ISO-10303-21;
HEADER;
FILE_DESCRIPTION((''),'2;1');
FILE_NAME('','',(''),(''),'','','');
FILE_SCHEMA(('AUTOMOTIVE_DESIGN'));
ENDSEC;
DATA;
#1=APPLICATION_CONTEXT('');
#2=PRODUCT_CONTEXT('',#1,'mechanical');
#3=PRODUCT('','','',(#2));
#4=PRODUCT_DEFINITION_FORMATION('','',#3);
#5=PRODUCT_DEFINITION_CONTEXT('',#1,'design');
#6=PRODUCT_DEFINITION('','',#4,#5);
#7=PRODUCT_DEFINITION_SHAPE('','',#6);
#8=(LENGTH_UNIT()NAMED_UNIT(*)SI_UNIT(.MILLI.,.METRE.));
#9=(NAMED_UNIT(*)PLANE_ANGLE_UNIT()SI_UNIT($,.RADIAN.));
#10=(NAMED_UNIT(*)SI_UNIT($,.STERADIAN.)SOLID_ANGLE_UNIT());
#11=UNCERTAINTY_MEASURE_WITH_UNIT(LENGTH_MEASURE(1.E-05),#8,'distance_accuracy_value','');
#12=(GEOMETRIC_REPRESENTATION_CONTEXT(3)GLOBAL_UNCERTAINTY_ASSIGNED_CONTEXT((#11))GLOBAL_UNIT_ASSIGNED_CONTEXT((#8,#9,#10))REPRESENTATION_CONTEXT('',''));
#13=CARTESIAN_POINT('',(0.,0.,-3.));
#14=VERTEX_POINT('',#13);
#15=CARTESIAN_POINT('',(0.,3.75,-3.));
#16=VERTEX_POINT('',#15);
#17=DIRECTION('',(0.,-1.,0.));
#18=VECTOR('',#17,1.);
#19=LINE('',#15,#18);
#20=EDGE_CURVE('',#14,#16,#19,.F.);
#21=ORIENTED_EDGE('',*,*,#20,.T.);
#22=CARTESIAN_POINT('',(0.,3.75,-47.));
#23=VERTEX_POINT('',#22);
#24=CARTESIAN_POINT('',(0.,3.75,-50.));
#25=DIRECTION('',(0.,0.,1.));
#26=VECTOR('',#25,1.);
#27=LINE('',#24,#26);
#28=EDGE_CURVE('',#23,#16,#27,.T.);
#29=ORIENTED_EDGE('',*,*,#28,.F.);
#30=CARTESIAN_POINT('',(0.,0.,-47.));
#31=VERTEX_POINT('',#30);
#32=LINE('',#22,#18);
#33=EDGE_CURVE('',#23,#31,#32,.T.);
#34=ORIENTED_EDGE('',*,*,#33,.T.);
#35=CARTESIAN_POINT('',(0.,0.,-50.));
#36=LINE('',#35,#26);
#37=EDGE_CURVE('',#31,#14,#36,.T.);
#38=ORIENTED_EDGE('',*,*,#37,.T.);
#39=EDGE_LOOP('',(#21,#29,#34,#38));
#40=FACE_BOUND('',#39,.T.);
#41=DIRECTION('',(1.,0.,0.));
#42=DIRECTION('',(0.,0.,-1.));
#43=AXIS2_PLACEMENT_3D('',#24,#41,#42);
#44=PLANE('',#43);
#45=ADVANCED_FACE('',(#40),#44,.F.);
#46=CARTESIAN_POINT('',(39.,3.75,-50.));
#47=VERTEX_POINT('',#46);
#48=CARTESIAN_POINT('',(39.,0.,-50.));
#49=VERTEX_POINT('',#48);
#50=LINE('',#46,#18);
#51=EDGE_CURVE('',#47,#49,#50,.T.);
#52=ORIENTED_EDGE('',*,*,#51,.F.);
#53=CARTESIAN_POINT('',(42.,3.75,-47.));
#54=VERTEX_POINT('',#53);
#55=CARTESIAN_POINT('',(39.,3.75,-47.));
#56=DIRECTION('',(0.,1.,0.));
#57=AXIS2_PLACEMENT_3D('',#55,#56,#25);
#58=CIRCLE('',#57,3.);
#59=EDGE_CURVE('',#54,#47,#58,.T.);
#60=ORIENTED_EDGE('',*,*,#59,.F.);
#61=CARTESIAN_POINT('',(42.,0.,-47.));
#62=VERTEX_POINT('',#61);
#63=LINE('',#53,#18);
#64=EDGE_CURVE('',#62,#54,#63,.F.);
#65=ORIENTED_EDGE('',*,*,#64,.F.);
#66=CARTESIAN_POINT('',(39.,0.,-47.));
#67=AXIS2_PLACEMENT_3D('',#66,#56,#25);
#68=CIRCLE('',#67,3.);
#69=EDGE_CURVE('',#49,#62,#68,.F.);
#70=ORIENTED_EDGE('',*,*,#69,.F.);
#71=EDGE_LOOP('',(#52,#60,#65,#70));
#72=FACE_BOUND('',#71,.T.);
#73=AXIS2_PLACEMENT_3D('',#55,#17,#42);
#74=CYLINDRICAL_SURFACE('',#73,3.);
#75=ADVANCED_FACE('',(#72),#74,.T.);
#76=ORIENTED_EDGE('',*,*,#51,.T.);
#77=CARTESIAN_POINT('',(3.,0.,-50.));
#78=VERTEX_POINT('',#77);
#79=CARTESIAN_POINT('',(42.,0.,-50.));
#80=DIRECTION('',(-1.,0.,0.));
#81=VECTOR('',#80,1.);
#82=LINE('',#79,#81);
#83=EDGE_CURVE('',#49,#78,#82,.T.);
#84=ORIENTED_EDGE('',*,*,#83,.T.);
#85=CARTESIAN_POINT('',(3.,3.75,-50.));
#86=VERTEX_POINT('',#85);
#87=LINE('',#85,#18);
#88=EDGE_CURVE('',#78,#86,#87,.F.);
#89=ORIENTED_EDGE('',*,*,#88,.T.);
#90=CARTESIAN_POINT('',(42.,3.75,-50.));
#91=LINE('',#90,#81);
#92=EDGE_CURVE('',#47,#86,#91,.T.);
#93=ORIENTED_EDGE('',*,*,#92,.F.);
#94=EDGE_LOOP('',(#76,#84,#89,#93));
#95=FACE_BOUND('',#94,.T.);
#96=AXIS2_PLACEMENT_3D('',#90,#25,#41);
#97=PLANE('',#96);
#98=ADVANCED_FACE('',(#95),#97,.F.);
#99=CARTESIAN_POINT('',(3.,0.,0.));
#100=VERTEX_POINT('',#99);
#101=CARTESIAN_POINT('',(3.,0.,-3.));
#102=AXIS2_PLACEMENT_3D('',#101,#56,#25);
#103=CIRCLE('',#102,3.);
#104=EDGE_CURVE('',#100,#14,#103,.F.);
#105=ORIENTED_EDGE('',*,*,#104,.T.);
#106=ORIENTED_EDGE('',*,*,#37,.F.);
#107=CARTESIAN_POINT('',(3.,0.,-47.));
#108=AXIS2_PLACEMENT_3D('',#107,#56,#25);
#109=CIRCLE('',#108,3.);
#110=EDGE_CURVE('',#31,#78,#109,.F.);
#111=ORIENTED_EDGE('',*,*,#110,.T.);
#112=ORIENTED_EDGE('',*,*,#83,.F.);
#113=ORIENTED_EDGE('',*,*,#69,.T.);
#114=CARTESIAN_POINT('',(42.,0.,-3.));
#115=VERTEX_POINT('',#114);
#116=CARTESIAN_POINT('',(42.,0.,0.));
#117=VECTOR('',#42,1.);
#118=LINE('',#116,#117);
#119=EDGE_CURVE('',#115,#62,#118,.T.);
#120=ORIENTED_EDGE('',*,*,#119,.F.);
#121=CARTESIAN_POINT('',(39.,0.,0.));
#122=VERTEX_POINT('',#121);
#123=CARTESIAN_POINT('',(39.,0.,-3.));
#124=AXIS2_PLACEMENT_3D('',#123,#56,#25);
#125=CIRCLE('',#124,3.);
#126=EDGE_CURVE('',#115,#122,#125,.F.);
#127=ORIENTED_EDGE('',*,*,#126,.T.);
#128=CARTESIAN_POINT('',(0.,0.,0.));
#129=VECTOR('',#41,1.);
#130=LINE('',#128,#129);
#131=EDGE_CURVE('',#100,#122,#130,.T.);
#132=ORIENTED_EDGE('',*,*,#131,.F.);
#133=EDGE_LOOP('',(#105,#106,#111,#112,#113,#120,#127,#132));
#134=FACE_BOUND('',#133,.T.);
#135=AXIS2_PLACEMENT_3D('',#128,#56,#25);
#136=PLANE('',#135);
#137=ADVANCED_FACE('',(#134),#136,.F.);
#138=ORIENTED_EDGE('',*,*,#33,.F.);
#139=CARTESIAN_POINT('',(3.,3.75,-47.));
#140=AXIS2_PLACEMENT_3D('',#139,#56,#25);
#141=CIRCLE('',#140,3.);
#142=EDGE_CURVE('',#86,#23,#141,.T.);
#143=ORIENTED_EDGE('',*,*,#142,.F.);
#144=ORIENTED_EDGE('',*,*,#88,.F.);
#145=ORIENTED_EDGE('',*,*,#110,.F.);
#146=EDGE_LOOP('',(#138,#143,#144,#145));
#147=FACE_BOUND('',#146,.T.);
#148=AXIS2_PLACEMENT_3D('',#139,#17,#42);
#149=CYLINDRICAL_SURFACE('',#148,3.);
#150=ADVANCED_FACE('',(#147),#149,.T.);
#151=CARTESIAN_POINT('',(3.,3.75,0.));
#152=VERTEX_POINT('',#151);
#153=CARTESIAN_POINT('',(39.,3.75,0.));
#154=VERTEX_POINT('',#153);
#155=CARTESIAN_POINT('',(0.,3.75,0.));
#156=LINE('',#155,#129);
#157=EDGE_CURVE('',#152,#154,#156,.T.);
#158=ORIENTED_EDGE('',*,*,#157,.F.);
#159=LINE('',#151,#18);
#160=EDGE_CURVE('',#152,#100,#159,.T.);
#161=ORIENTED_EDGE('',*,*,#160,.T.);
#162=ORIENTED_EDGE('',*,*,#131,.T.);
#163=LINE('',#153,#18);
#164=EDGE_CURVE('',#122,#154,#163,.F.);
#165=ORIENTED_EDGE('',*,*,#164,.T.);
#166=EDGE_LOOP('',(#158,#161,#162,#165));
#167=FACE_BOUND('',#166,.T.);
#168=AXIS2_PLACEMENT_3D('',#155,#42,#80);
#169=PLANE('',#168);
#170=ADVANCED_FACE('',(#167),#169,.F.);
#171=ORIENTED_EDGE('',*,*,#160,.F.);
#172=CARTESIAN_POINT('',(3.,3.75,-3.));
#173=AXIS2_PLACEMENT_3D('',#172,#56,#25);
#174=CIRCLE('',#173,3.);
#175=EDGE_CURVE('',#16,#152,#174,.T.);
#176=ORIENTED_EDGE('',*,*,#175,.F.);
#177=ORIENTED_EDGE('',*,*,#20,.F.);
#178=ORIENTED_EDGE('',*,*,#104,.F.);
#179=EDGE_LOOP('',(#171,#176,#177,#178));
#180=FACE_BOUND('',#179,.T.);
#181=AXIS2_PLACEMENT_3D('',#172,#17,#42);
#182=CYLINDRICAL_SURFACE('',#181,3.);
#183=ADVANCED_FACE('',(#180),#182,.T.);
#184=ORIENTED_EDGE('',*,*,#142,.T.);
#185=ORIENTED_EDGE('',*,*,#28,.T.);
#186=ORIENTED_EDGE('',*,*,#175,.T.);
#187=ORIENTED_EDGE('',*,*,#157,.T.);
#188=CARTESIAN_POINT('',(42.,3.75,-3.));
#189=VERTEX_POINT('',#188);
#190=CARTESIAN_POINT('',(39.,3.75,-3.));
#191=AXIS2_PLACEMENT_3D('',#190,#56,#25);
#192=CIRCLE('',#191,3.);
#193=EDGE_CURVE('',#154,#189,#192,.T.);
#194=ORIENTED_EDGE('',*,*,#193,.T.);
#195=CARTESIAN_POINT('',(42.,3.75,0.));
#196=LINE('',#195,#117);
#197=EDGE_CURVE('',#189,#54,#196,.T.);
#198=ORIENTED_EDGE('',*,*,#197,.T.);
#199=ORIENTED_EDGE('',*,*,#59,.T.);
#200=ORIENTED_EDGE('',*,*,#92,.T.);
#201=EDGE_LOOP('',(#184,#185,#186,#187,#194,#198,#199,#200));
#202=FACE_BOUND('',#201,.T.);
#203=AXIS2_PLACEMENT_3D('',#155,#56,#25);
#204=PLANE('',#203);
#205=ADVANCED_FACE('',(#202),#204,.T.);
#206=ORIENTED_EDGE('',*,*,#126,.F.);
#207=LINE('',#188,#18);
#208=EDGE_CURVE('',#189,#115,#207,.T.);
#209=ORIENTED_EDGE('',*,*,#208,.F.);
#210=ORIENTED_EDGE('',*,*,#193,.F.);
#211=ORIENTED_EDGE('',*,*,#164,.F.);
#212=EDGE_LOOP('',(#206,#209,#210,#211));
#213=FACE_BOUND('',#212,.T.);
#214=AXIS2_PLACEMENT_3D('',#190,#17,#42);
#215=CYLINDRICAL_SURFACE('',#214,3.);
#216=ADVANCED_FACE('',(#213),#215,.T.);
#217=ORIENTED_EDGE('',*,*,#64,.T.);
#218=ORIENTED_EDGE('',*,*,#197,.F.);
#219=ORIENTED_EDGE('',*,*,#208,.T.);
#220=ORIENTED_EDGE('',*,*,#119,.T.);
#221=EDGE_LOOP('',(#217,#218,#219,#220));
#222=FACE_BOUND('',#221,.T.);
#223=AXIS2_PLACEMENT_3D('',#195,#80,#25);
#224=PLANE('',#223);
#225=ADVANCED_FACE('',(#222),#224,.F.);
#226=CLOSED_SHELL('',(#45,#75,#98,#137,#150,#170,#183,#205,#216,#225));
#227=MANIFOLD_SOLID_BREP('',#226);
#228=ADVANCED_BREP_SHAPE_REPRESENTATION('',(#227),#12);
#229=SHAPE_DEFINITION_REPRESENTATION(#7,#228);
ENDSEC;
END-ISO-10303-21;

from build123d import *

# Parameters (mm, degrees)
SKETCH1_W           = 42
SKETCH1_H           = 50
BOSS_EXTRUDE1_DEPTH = 3.75
FILLET1_R           = 3


with BuildPart() as part:
    # Sketch1 → Boss-Extrude1 (new body)
    with BuildSketch(Plane(origin=(0, 0, 0), x_dir=(1, 0, 0), z_dir=(0, 1, 0))):
        with Locations((21, 25)):
            Rectangle(SKETCH1_W, SKETCH1_H)
    extrude(amount=BOSS_EXTRUDE1_DEPTH)

    # Fillet1
    fillet1_edges = [part.edges().sort_by_distance(p)[0] for p in [
        (0, 1.875, -50),
        (42, 1.875, -50),
        (42, 1.875, 0),
        (0, 1.875, 0),
    ]]
    fillet(fillet1_edges, radius=FILLET1_R)


solid = part.part
